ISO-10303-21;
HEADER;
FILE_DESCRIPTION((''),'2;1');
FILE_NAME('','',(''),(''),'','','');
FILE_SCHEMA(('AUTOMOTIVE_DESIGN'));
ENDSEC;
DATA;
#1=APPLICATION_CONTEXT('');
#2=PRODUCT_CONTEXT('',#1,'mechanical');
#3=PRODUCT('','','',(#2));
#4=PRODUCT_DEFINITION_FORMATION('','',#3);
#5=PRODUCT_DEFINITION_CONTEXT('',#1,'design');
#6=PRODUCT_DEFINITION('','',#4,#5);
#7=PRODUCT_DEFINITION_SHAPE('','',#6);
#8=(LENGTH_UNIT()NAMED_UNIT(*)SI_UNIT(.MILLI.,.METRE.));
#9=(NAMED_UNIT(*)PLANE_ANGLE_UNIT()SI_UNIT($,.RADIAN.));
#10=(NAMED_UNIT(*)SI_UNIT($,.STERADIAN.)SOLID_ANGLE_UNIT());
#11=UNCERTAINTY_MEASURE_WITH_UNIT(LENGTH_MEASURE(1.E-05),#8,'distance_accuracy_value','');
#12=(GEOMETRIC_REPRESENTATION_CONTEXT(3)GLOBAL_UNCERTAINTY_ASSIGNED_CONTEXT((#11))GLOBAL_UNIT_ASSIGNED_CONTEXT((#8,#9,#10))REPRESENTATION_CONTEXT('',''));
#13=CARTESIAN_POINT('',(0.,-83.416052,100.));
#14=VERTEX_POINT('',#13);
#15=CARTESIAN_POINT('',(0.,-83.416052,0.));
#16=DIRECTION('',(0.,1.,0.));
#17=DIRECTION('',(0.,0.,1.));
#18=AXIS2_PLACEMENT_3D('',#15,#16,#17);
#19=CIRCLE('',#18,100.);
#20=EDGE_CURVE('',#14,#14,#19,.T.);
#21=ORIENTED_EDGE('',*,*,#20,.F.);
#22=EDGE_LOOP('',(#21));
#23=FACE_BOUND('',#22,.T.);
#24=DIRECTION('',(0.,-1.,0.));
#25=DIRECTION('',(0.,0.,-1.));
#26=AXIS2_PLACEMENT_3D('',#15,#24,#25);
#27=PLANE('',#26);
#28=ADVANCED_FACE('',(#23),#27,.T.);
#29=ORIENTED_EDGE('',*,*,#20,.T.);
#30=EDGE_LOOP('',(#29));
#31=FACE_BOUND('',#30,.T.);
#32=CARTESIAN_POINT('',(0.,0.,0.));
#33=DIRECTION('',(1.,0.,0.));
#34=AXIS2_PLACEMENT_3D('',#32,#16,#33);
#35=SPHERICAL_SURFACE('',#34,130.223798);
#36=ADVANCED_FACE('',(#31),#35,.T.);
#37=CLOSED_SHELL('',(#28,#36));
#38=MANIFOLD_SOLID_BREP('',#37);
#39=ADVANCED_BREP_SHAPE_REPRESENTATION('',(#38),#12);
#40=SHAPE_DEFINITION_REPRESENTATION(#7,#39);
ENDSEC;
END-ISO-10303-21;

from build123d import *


with BuildPart() as part:
    # Sketch1 → Revolve1 (revolve)
    with BuildSketch(Plane.XY):
        with BuildLine():
            Line((0, 130.2237985), (0, -83.416051786))
            Line((0, -83.416051786), (-100, -83.416051786))
            ThreePointArc((-100, -83.416051786), (-117.942767508, 55.206351882), (0, 130.2237985))
        make_face()
    revolve(axis=Axis((0, 130.2237985, 0), (0, -1, 0)))


solid = part.part
